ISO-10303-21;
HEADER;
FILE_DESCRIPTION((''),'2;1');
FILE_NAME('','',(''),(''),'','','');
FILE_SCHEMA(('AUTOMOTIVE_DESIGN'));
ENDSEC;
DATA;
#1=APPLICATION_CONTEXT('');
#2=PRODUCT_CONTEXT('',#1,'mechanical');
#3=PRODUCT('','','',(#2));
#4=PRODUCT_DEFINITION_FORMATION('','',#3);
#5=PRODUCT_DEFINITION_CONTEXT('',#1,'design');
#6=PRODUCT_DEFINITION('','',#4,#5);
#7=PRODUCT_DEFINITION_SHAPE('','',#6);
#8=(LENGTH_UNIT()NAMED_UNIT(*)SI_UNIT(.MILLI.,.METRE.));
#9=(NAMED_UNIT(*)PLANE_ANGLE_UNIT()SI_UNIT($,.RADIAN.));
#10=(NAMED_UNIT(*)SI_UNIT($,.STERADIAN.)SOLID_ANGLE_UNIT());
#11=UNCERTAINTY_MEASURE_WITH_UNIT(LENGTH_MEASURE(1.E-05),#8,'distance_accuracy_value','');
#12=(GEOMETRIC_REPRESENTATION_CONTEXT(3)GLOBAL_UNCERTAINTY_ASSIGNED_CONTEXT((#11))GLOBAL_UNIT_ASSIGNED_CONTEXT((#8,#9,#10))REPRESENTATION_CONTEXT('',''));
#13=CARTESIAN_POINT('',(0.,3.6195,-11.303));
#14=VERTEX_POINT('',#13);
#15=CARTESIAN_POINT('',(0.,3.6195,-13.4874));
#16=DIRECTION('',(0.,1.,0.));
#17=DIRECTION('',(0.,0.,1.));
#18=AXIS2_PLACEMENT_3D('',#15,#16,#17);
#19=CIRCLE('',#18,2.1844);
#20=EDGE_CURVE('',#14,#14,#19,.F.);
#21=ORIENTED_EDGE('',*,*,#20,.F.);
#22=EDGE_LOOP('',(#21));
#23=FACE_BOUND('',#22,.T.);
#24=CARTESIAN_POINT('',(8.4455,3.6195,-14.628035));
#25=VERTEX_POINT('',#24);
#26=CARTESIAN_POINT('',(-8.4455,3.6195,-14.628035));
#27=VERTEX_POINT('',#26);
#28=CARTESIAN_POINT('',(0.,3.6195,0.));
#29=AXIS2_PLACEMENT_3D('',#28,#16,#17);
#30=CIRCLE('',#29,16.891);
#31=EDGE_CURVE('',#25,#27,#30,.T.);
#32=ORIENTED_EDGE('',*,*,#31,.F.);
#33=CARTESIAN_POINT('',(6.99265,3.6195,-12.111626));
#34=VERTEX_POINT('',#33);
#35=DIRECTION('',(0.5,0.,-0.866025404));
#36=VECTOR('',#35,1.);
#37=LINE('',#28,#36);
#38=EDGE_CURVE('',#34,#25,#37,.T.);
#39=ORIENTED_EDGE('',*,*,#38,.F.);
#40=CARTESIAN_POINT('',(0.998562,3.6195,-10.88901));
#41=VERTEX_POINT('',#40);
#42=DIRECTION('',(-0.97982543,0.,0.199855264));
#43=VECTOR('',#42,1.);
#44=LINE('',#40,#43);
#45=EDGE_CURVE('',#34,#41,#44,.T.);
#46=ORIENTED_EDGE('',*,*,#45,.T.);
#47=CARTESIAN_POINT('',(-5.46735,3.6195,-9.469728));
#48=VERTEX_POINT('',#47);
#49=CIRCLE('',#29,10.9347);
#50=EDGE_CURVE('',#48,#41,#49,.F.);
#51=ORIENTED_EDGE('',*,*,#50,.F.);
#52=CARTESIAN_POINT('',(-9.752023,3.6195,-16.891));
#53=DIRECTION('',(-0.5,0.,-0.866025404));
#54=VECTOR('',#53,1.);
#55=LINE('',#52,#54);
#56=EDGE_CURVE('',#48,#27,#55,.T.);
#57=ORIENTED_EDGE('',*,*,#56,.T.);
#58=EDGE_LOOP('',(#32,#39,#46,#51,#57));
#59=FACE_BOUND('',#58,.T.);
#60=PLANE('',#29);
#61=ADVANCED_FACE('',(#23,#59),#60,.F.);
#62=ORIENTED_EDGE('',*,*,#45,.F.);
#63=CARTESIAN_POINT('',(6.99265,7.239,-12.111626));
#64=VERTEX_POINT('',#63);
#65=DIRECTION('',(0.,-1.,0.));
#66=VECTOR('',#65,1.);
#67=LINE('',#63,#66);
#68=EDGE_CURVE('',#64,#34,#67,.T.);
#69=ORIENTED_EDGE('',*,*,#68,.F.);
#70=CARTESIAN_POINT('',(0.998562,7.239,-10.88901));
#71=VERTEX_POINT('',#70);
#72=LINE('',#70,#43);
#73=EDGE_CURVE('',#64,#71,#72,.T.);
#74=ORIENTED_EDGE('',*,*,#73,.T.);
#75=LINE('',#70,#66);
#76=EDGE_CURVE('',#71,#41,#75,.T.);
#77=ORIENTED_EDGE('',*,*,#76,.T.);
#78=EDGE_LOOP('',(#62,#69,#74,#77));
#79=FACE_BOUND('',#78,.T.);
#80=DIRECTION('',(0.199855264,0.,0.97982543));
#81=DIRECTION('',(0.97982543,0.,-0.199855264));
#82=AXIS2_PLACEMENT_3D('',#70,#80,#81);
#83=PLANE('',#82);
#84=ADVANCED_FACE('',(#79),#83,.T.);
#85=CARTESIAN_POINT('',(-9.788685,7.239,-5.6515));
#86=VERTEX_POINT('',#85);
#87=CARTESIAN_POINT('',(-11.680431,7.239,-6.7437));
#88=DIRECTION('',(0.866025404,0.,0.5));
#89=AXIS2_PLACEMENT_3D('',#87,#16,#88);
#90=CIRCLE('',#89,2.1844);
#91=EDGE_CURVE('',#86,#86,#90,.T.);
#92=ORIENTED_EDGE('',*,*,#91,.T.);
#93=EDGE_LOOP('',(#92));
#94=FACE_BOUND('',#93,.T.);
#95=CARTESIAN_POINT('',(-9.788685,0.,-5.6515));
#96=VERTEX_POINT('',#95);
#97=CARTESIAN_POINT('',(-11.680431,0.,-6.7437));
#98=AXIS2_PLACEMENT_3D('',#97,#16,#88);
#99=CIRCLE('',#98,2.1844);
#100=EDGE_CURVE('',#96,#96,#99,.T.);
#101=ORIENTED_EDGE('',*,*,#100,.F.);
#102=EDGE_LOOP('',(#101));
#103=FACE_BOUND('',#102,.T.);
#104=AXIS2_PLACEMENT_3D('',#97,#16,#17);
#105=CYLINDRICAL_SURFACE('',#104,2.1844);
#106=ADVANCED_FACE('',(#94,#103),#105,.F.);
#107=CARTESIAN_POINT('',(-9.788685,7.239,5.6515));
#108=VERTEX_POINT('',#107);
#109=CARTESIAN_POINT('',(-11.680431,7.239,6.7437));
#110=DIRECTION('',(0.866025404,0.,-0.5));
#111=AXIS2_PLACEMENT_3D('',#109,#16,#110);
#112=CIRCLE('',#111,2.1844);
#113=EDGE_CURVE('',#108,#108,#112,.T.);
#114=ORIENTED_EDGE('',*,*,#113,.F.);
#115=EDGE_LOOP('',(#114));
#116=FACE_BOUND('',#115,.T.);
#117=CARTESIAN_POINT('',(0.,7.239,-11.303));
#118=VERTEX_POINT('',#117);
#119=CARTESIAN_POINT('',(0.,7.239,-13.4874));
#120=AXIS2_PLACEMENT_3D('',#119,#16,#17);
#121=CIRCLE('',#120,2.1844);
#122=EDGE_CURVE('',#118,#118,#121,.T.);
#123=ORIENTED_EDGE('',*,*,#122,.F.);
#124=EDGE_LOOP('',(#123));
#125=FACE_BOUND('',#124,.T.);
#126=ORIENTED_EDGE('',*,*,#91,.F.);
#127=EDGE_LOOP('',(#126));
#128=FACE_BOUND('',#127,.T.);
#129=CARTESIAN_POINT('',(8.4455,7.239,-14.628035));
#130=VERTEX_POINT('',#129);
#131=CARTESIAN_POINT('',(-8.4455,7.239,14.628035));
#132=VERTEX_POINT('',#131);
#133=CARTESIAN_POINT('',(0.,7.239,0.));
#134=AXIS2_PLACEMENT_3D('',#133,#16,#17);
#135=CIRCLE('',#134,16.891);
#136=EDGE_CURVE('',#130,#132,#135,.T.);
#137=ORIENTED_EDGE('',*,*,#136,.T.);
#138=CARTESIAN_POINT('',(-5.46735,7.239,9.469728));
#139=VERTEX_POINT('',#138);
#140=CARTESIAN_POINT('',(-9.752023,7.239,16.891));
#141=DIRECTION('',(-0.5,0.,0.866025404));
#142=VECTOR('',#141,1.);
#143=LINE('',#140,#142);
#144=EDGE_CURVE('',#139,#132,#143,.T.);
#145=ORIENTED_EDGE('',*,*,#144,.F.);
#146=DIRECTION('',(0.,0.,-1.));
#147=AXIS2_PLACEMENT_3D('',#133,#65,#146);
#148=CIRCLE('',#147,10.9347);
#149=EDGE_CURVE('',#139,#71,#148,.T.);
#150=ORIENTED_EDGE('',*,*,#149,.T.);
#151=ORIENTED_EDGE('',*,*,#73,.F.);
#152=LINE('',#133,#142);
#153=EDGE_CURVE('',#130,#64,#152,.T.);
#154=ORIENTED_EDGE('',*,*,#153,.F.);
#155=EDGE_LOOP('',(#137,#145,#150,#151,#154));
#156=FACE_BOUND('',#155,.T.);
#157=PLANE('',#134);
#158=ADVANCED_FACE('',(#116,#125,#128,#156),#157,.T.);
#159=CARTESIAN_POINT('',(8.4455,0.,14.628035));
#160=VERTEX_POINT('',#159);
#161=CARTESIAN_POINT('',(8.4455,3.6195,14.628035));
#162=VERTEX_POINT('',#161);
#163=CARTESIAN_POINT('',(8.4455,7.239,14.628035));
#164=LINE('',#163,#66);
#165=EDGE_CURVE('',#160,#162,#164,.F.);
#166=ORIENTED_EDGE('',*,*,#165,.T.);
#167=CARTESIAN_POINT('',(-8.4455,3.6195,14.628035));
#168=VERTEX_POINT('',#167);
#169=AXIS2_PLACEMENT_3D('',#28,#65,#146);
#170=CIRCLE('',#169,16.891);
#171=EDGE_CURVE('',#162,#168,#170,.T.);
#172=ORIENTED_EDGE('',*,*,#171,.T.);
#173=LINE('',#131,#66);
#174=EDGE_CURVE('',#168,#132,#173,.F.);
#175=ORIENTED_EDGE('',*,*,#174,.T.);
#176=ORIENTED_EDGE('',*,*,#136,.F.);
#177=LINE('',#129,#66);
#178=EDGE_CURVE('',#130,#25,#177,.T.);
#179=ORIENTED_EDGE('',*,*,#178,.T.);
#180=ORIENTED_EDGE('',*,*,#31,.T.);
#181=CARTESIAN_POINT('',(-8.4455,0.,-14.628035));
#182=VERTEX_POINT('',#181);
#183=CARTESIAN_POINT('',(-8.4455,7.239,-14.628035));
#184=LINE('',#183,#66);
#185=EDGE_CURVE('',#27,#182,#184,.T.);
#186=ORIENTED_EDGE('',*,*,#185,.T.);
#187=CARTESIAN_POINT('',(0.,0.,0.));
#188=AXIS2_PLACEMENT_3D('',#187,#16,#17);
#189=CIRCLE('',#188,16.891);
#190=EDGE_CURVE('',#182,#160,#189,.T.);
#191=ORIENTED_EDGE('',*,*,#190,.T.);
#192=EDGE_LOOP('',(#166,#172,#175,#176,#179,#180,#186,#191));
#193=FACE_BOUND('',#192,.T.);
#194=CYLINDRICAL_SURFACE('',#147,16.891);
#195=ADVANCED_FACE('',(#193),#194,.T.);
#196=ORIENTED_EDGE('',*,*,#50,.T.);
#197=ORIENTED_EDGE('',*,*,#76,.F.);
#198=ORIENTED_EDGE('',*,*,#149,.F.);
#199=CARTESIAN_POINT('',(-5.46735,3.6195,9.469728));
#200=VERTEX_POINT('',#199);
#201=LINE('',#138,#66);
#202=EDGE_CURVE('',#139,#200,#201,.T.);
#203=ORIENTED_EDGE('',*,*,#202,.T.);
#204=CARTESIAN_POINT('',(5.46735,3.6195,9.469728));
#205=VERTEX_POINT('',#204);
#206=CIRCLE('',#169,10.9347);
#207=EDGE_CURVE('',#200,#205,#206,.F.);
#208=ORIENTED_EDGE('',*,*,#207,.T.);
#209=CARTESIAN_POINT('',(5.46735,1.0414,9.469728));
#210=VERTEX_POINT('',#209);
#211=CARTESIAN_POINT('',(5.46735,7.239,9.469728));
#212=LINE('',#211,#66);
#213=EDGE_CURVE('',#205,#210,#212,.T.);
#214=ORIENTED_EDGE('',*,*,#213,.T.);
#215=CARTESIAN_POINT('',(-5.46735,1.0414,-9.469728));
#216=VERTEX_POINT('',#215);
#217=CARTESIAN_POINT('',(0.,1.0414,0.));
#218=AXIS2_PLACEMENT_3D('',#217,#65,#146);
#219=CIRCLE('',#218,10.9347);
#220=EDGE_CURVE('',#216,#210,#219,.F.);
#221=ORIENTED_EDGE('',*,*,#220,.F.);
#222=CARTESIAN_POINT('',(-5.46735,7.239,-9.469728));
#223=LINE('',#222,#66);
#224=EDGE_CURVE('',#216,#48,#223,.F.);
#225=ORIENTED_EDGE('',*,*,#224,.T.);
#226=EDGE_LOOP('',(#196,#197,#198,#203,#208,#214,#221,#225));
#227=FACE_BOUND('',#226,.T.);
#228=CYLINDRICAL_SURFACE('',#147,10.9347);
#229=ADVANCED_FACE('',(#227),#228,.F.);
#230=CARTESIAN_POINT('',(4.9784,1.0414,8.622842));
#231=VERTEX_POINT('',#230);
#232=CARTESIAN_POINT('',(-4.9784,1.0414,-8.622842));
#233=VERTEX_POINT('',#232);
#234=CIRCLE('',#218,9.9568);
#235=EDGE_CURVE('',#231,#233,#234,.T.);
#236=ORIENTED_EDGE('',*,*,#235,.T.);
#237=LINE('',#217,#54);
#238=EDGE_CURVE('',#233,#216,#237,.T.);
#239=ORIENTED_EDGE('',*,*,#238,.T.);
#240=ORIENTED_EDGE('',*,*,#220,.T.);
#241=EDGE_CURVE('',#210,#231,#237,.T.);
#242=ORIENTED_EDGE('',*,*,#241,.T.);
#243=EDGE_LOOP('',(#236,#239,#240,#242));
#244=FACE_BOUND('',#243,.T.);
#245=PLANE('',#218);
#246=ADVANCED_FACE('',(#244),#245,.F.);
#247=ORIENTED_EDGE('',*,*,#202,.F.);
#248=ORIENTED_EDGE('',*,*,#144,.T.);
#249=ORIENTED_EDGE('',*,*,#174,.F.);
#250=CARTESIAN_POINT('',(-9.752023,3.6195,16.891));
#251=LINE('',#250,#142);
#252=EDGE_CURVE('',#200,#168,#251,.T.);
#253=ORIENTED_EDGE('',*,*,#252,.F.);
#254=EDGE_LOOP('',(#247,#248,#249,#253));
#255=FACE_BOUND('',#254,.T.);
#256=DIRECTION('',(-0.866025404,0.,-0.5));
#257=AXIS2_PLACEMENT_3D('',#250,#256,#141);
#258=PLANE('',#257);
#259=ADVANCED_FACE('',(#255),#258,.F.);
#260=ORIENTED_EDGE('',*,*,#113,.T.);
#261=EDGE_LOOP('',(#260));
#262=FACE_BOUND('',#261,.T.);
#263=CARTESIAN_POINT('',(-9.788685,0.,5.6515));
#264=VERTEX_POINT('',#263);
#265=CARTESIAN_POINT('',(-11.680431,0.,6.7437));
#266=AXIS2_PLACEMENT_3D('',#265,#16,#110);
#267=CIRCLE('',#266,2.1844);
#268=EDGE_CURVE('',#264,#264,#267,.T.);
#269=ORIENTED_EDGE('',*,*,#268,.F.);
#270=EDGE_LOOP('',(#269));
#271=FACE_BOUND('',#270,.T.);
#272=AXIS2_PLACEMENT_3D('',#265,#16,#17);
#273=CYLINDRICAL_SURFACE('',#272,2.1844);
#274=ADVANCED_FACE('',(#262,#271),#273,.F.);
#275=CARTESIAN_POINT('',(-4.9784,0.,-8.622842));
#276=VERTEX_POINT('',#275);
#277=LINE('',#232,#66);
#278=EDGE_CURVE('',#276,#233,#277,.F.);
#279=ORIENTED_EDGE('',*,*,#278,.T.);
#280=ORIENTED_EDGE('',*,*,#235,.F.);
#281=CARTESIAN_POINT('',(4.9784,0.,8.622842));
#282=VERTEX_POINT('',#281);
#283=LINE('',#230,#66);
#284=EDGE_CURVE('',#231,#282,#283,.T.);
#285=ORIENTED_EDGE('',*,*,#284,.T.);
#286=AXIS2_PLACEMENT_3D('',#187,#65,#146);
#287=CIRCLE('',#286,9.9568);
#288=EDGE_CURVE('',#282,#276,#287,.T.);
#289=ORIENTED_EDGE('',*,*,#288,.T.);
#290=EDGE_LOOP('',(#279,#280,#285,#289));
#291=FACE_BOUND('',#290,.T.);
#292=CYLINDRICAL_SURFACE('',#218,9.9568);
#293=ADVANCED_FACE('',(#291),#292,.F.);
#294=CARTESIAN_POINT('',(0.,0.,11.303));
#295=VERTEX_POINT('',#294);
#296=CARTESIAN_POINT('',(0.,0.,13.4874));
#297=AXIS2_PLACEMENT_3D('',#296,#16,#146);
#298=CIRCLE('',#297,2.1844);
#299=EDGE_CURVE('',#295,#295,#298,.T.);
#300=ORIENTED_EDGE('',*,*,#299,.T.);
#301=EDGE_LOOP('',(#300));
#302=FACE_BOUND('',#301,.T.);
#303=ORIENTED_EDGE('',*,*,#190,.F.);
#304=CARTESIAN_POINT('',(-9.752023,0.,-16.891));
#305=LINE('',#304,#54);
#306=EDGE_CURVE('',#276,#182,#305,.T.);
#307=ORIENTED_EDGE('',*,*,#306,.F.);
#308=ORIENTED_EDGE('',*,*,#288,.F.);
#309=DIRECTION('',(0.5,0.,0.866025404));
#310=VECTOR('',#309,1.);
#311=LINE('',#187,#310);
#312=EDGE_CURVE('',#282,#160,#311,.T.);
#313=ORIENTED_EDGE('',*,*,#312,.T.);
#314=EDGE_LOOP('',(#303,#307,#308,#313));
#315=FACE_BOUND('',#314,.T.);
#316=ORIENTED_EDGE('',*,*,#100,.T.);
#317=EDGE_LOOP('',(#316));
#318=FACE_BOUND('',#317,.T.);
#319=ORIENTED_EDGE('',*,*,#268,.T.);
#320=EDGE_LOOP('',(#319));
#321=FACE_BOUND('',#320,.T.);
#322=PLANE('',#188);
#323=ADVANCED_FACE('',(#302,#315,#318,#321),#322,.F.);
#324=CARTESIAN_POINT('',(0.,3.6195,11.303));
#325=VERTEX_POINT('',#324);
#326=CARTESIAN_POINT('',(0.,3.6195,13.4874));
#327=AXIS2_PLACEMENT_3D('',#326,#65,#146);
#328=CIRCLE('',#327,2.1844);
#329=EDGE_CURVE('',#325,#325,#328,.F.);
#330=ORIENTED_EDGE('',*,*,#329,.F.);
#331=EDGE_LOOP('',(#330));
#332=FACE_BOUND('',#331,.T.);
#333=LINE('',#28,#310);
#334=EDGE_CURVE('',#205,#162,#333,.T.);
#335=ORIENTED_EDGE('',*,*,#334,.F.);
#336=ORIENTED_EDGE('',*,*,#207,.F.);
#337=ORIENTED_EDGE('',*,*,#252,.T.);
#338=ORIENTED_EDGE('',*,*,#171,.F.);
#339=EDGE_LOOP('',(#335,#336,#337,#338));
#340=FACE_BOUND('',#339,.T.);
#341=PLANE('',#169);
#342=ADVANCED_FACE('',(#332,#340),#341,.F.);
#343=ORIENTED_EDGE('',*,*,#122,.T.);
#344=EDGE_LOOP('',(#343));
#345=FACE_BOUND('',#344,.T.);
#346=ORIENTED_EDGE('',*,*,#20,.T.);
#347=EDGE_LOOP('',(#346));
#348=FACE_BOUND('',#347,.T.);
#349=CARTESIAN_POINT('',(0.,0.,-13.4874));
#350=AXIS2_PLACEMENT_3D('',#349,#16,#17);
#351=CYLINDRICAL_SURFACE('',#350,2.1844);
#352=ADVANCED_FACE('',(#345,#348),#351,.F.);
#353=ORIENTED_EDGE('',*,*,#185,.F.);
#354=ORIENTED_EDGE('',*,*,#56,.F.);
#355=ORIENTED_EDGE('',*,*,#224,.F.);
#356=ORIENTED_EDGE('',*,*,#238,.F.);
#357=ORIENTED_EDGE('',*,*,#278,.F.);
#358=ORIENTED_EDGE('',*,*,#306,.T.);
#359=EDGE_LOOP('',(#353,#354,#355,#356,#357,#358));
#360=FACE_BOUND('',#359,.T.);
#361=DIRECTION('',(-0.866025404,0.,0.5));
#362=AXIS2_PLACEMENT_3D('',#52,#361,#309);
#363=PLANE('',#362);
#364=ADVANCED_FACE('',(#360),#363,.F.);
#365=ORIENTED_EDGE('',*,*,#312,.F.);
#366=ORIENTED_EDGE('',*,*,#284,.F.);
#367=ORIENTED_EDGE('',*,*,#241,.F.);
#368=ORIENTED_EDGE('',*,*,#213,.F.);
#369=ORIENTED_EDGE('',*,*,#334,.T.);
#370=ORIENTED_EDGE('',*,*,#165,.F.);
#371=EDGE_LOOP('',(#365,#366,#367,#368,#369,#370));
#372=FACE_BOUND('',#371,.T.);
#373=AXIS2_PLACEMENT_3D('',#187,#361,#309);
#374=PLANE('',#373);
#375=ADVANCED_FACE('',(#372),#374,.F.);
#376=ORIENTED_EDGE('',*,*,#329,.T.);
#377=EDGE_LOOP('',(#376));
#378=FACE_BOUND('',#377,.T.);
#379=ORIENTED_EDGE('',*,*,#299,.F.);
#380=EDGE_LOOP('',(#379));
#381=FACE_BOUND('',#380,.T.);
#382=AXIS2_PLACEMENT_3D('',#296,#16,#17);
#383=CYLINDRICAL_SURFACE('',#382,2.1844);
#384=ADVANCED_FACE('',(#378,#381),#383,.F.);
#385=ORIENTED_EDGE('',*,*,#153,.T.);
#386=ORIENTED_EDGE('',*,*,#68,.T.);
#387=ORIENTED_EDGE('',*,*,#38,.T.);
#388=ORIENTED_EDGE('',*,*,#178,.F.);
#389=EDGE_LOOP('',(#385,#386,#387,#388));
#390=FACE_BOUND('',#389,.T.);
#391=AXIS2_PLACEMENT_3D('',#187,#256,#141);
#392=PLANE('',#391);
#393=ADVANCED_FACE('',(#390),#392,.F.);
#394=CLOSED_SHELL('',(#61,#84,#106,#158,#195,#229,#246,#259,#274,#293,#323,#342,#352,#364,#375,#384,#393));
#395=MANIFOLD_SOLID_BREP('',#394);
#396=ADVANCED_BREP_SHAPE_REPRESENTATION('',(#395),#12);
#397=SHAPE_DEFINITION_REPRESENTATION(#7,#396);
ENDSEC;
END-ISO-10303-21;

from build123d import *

# Parameters (mm, degrees)
SKETCH1_R         = 16.891
EXTRUDE1_DEPTH    = 7.239
SKETCH2_R         = 10.9347
EXTRUDE2_DEPTH    = 25.960266084
SKETCH3_R         = 10.9347
SKETCH3_R_2       = 9.9568
EXTRUDE3_DEPTH    = 1.0414
SKETCH4_R         = 2.1844
EXTRUDE4_DEPTH    = 25.960266084
CIRPATTERN1_COUNT = 6
EXTRUDE6_DEPTH    = 25.960266084
EXTRUDE7_DEPTH    = 3.6195
EXTRUDE8_DEPTH    = 3.6195
EXTRUDE12_DEPTH   = 25.160143672


with BuildPart() as part:
    # Sketch1 → Extrude1 (new body)
    with BuildSketch(Plane(origin=(0, 0, 0), x_dir=(1, 0, 0), z_dir=(0, 1, 0))):
        with Locations(Location((0, 0, 0), (0, 0, 270))):
            Circle(SKETCH1_R)
    extrude(amount=EXTRUDE1_DEPTH)

    # Sketch2 → Extrude2 (cut, through all)
    with BuildSketch(Plane.XZ):
        with Locations(Location((0, 0, 0), (0, 0, 270))):
            Circle(SKETCH2_R)
    extrude(amount=-EXTRUDE2_DEPTH, mode=Mode.SUBTRACT)

    # Sketch3 → Extrude3 (add)
    with BuildSketch(Plane.XZ):
        with Locations(Location((0, 0, 0), (0, 0, 270))):
            Circle(SKETCH3_R)
        with Locations(Location((0, 0, 0), (0, 0, 270))):
            Circle(SKETCH3_R_2, mode=Mode.SUBTRACT)
    extrude(amount=-EXTRUDE3_DEPTH)

    # Sketch4 → Extrude4 (cut, through all)
    with BuildSketch(Plane(origin=(0, 7.239, 0), x_dir=(1, 0, 0), z_dir=(0, 1, 0))):
        with Locations(Location((0, 13.4874, 0), (0, 0, 270))):
            Circle(SKETCH4_R)
    extrude4 = extrude(amount=-EXTRUDE4_DEPTH, mode=Mode.SUBTRACT)

    # CirPattern1: Extrude4 ×6 about axis
    cirpattern1_axis = Axis((0, 0, 0), (0, 1, 0))
    for i in range(1, CIRPATTERN1_COUNT):
        add(extrude4.rotate(cirpattern1_axis, i * 360 / CIRPATTERN1_COUNT), mode=Mode.SUBTRACT)

    # Sketch7 → Extrude6 (cut, through all)
    with BuildSketch(Plane(origin=(0, 7.239, 0), x_dir=(1, 0, 0), z_dir=(0, 1, 0))):
        Polygon((0, 0), (16.891, 29.256070191), (16.891, -29.256070191), align=None)
    extrude(amount=-EXTRUDE6_DEPTH, mode=Mode.SUBTRACT)

    # Sketch8 → Extrude7 (cut)
    with BuildSketch(Plane(origin=(0, 7.239, 0), x_dir=(1, 0, 0), z_dir=(0, 1, 0))):
        Polygon((0, 0), (9.752023397, -16.891), (-9.752023397, -16.891), align=None)
    extrude(amount=-EXTRUDE7_DEPTH, mode=Mode.SUBTRACT)

    # Sketch9 → Extrude8 (cut)
    with BuildSketch(Plane.XZ):
        Polygon((0, 0), (9.752023397, -16.891), (-9.752023397, -16.891), align=None)
    extrude(amount=-EXTRUDE8_DEPTH, mode=Mode.SUBTRACT)

    # Sketch13 → Extrude12 (cut, through all)
    with BuildSketch(Plane(origin=(0, 3.6195, 0), x_dir=(1, 0, 0), z_dir=(0, 1, 0))):
        Polygon((0.998562219, 10.889009945), (6.992650397, 12.111625767), (4.9784, -8.62284174), align=None)
    extrude(amount=EXTRUDE12_DEPTH, mode=Mode.SUBTRACT)


solid = part.part
